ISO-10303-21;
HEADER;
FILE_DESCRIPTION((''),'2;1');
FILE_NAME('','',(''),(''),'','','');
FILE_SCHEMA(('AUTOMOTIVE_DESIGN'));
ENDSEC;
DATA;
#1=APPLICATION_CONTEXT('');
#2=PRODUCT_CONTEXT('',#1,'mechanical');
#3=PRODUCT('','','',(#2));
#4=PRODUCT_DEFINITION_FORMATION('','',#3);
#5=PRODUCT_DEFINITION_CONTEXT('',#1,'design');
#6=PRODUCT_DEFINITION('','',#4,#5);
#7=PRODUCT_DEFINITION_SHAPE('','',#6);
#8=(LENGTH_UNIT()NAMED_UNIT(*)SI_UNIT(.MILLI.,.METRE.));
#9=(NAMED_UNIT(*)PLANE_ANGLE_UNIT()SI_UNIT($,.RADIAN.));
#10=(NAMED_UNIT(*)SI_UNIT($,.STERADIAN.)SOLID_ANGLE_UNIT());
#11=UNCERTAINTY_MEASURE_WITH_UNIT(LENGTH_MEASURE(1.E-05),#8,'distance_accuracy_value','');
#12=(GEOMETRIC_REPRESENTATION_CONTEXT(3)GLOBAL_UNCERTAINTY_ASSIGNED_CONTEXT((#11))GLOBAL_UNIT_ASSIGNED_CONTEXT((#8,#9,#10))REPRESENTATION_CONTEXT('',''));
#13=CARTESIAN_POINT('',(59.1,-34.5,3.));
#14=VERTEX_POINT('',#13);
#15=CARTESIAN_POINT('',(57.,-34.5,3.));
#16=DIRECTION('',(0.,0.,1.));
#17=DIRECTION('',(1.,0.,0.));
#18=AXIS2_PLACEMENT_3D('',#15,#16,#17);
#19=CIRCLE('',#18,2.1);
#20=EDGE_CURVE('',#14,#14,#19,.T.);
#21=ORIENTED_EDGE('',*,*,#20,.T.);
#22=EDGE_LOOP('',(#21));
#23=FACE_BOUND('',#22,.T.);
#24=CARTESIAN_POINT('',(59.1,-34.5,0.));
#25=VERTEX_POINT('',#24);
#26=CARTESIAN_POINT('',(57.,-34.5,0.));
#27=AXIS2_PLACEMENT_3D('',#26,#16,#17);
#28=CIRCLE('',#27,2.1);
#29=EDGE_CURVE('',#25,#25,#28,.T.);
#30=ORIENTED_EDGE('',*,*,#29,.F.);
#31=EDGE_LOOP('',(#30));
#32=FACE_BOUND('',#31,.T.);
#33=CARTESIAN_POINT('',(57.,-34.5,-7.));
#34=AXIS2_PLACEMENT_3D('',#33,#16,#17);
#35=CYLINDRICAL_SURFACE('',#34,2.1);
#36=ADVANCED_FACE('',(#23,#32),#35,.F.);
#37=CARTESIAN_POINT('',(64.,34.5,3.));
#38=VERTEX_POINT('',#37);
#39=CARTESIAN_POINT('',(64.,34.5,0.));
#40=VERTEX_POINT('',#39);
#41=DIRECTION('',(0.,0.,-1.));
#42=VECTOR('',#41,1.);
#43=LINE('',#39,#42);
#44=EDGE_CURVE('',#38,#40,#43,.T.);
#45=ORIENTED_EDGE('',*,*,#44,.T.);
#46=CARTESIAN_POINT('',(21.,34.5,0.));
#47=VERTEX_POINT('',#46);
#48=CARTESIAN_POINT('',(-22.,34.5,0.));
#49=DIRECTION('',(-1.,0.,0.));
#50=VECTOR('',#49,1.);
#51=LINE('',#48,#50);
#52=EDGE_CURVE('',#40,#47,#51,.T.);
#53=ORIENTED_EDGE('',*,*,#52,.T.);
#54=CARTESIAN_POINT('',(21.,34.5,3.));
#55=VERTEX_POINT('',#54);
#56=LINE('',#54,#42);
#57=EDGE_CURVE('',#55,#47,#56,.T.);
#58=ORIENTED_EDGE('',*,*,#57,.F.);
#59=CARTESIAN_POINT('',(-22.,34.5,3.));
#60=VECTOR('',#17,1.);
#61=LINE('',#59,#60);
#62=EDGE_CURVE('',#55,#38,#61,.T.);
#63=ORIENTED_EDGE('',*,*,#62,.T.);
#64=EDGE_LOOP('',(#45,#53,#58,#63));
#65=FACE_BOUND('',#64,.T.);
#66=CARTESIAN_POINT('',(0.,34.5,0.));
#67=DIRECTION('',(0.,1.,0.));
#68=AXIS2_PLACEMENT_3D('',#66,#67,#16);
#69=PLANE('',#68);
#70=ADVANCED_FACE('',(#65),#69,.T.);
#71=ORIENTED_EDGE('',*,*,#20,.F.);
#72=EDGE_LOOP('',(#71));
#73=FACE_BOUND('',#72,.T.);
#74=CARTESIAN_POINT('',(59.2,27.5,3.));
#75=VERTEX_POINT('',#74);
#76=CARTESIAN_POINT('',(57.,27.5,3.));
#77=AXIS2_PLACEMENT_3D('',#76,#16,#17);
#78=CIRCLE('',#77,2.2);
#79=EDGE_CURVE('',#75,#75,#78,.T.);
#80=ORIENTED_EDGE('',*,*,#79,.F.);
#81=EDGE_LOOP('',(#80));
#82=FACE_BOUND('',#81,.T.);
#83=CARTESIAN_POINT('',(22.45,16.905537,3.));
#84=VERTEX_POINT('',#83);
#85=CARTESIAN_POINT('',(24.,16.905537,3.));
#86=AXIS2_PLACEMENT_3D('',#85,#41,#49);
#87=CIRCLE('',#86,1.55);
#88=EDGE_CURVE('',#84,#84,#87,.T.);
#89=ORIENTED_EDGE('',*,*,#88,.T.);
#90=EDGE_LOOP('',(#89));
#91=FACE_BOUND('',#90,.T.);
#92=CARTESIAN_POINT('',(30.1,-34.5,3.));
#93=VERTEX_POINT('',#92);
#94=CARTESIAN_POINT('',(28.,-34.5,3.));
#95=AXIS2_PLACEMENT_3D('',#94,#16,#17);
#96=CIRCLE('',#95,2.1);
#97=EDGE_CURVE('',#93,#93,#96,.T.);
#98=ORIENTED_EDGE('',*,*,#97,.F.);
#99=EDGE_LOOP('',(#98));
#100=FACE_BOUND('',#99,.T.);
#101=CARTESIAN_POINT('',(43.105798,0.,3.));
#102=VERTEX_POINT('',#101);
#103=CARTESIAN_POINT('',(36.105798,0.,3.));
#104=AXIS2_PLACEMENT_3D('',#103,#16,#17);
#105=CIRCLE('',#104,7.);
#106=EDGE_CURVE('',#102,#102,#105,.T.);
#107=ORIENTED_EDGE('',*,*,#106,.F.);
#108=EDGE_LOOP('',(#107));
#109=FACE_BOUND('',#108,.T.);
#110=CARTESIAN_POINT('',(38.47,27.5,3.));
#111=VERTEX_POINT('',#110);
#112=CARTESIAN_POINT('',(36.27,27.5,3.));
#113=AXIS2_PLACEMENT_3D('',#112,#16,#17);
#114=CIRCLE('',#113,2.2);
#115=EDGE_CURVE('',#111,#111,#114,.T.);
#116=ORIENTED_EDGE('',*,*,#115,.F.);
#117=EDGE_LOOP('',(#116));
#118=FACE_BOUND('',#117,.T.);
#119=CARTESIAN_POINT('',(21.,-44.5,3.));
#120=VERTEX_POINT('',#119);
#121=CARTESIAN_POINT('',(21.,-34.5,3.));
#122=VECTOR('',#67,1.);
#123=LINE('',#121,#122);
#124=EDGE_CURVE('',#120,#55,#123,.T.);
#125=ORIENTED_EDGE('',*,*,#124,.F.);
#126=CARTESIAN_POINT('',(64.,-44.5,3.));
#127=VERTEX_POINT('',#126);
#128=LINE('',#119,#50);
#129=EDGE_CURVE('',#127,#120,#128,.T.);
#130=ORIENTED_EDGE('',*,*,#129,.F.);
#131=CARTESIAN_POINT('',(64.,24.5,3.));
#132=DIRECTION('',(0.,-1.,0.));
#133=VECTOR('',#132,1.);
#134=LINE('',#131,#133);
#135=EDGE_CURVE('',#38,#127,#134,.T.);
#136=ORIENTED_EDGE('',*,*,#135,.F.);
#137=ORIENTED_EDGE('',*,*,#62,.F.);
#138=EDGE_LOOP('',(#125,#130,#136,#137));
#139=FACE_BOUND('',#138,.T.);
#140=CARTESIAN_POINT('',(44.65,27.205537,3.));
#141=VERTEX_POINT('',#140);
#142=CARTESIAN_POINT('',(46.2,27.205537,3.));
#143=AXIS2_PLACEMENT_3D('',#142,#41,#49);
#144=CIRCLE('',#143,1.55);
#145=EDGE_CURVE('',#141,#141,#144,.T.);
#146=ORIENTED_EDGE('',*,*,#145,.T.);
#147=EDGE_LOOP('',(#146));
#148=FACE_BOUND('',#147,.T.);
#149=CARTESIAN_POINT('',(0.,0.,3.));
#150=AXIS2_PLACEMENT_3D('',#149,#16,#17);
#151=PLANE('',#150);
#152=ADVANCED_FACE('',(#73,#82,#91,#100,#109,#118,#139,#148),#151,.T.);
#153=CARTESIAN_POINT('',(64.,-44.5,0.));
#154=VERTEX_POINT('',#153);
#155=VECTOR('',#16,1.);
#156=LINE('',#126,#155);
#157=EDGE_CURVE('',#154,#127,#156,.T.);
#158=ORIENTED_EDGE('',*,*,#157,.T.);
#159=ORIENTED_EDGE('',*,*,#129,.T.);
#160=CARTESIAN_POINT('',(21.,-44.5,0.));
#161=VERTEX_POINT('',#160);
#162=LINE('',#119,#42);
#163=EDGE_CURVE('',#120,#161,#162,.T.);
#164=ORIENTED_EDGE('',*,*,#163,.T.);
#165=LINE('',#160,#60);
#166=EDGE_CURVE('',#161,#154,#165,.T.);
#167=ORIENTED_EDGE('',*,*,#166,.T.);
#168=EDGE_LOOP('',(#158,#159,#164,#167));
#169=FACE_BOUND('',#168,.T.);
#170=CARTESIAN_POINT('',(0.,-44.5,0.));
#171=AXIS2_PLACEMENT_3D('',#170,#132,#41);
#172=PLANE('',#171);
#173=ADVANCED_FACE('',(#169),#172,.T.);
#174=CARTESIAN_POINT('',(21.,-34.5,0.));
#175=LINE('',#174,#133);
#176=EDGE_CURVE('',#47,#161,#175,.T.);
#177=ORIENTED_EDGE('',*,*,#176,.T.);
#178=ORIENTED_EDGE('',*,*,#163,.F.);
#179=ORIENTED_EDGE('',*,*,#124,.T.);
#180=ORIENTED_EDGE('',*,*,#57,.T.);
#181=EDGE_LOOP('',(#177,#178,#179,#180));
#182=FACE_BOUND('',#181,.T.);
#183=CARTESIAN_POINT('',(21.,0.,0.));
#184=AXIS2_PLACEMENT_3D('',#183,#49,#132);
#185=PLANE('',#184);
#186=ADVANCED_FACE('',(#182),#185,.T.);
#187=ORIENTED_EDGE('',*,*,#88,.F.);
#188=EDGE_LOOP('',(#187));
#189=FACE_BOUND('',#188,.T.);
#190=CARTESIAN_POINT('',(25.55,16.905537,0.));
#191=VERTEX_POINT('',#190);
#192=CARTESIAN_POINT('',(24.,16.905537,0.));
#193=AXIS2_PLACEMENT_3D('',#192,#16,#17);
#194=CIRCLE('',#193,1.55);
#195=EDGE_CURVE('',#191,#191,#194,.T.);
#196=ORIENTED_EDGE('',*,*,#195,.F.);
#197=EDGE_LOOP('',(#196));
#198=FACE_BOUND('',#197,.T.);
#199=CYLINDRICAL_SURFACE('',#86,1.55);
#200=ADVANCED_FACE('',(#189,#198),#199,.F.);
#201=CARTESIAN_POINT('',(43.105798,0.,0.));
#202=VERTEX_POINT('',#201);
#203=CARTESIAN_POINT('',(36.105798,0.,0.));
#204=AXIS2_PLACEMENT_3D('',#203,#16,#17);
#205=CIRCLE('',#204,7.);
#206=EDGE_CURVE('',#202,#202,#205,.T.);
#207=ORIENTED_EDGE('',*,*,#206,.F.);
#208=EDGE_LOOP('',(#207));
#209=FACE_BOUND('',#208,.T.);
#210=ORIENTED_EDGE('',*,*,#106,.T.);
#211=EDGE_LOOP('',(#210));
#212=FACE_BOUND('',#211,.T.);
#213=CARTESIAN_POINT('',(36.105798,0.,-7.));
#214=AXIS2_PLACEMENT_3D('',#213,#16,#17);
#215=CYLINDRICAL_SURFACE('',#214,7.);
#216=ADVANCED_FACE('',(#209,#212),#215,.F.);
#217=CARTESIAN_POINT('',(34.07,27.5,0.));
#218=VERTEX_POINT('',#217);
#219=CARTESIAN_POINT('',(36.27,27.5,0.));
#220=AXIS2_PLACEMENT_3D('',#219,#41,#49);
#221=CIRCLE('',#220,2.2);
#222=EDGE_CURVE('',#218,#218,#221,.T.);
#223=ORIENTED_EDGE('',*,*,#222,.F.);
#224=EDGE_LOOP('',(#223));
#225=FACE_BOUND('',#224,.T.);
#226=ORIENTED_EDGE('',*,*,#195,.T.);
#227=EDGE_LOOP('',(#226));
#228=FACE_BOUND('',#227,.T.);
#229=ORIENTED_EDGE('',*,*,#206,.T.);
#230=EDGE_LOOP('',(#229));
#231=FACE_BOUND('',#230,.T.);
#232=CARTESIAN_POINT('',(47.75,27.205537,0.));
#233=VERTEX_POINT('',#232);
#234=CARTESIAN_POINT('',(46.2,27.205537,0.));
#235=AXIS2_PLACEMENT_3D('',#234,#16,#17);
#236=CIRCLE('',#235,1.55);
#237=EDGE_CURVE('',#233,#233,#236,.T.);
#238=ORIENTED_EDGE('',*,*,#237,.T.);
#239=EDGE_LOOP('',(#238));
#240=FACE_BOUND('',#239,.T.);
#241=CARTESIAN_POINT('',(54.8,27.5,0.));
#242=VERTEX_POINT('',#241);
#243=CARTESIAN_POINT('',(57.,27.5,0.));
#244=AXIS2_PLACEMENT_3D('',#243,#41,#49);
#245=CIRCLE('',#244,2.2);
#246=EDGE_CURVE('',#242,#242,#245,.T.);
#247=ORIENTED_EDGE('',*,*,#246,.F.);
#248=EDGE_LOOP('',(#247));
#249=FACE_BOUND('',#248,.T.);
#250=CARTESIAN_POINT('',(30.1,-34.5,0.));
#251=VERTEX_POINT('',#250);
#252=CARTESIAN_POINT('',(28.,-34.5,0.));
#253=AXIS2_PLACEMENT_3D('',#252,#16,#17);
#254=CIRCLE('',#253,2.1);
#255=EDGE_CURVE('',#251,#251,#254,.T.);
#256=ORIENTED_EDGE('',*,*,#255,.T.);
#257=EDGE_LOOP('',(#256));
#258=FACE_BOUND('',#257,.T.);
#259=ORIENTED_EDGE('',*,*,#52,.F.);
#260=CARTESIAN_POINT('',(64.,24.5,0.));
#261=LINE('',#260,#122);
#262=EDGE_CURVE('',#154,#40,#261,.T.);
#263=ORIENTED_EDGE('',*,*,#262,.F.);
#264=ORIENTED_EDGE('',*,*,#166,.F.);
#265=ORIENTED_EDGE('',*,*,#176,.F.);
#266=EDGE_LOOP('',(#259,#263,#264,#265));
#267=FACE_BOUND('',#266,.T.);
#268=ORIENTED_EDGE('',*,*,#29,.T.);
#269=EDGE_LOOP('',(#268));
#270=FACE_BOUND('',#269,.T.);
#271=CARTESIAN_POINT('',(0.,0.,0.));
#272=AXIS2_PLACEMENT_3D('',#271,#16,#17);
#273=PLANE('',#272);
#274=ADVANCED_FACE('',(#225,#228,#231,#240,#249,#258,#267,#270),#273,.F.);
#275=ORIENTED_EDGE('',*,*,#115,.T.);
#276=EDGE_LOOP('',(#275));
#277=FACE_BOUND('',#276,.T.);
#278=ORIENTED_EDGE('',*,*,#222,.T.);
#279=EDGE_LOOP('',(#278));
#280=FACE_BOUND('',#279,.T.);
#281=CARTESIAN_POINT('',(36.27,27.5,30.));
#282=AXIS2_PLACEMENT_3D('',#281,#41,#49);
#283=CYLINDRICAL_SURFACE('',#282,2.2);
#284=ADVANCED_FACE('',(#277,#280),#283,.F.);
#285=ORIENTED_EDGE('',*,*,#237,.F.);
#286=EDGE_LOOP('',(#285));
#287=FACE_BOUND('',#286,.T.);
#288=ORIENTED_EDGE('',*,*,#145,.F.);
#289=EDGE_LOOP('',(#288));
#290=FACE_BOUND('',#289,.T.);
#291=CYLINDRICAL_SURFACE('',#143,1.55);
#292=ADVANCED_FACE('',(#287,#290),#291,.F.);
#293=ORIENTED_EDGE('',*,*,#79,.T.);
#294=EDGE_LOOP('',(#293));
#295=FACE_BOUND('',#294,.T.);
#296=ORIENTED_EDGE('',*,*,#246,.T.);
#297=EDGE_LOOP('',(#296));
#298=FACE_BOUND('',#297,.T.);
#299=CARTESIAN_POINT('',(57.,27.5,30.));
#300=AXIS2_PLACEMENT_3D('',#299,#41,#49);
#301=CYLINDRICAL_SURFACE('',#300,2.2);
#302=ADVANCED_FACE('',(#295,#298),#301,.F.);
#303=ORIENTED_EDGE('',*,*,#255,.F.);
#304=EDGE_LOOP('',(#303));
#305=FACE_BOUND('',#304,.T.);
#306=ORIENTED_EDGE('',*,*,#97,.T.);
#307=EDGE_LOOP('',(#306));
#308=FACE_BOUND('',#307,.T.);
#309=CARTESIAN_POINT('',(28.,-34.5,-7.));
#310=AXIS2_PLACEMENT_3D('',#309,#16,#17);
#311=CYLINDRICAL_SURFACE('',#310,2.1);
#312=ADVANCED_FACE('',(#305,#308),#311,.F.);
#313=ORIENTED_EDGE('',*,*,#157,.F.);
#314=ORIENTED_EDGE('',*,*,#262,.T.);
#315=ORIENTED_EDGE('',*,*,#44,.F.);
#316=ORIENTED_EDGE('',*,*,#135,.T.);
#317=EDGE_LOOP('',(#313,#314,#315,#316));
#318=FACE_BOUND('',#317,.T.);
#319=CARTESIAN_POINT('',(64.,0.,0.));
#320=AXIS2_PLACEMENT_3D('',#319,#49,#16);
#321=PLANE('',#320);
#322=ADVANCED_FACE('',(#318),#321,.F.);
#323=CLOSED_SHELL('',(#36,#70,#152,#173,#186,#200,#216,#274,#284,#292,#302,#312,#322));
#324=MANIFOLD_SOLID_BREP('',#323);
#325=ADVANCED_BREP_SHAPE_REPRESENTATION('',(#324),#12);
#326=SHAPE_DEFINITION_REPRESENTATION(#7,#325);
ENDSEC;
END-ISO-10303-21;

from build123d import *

# Parameters (mm, degrees)
SKETCH_1_W                = 40
SKETCH_1_H                = 29
EXTRUDE_1_DEPTH           = 3
CUT_EXTRUDE_1_DEPTH       = 3
SKETCH_3_W                = 40
SKETCH_3_H                = 3
EXTRUDE_2_DEPTH           = 10
SKETCH_4_W                = 40
SKETCH_4_H                = 3
EXTRUDE_3_DEPTH           = 10
SKETCH_6_W                = 3
SKETCH_6_H                = 49
EXTRUDE_5_DEPTH           = 42
SKETCH_8_W                = 3
SKETCH_8_H                = 49
EXTRUDE_6_DEPTH           = 2
SKETCH_9_W                = 3
SKETCH_9_H                = 49
EXTRUDE_7_DEPTH           = 2
SKETCH_10_W               = 86
SKETCH_10_H               = 3
EXTRUDE_8_DEPTH           = 10
SKETCH_11_W               = 86
SKETCH_11_H               = 3
EXTRUDE_9_DEPTH           = 10
SKETCH_7_R                = 7
CUT_EXTRUDE_4_DEPTH       = 10
SKETCH_14_W               = 3
SKETCH_14_H               = 69
CUT_EXTRUDE_5_DEPTH       = 43
SKETCH_17_W               = 43
SKETCH_17_H               = 3
EXTRUDE_10_DEPTH          = 20
SKETCH_18_R               = 2.1
CUT_EXTRUDE_6_DEPTH       = 10
SKETCH_20_W               = 43
SKETCH_20_H               = 3
EXTRUDE_11_DEPTH          = 10
SKETCH_21_W               = 43
SKETCH_21_H               = 3
CUT_EXTRUDE_7_DEPTH       = 20
SKETCH_24_R               = 2.2
CUT_EXTRUDE_8_DEPTH       = 30
SKETCH_25_R               = 1.55
CUT_EXTRUDE_11_DEPTH      = 1
CUT_EXTRUDE_11_DEPTH_BACK = 4


with BuildPart() as part:
    # ｽｹｯﾁ1 → ﾎﾞｽ - 押し出し1 (new body)
    with BuildSketch(Plane.XY):
        Rectangle(SKETCH_1_W, SKETCH_1_H)
    extrude(amount=EXTRUDE_1_DEPTH)

    # ｽｹｯﾁ2 → ｶｯﾄ - 押し出し1 (cut)
    with BuildSketch(Plane.XY.offset(3)):
        with BuildLine():
            ThreePointArc((-14.4, 10.5), (-15.01507576, 11.98492424), (-16.5, 12.6))
            Line((-16.5, 12.6), (-16.5, 10.5))
            Line((-16.5, 10.5), (-18.6, 10.5))
            ThreePointArc((-18.6, 10.5), (-16.5, 8.4), (-14.4, 10.5))
        make_face()
        with BuildLine():
            Line((-16.5, 10.5), (-16.5, 12.6))
            ThreePointArc((-16.5, 12.6), (-17.98492424, 11.98492424), (-18.6, 10.5))
            Line((-18.6, 10.5), (-16.5, 10.5))
        make_face()
        with BuildLine():
            ThreePointArc((-18.6, -10.5), (-17.98492424, -11.98492424), (-16.5, -12.6))
            Line((-16.5, -12.6), (-16.5, -10.5))
            Line((-16.5, -10.5), (-18.6, -10.5))
        make_face()
        with BuildLine():
            Line((-16.5, -10.5), (-16.5, -12.6))
            ThreePointArc((-16.5, -12.6), (-15.01507576, -11.98492424), (-14.4, -10.5))
            ThreePointArc((-14.4, -10.5), (-16.5, -8.4), (-18.6, -10.5))
            Line((-18.6, -10.5), (-16.5, -10.5))
        make_face()
        with BuildLine():
            ThreePointArc((18.6, -10.5), (15.01507576, -9.01507576), (16.5, -12.6))
            Line((16.5, -12.6), (16.5, -10.5))
            Line((16.5, -10.5), (18.6, -10.5))
        make_face()
        with BuildLine():
            Line((16.5, -10.5), (16.5, -12.6))
            ThreePointArc((16.5, -12.6), (17.98492424, -11.98492424), (18.6, -10.5))
            Line((18.6, -10.5), (16.5, -10.5))
        make_face()
        with BuildLine():
            ThreePointArc((18.6, 10.5), (17.98492424, 11.98492424), (16.5, 12.6))
            Line((16.5, 12.6), (16.5, 10.5))
            Line((16.5, 10.5), (18.6, 10.5))
        make_face()
        with BuildLine():
            Line((16.5, 10.5), (16.5, 12.6))
            ThreePointArc((16.5, 12.6), (15.01507576, 9.01507576), (18.6, 10.5))
            Line((18.6, 10.5), (16.5, 10.5))
        make_face()
    extrude(amount=-CUT_EXTRUDE_1_DEPTH, mode=Mode.SUBTRACT)

    # ｽｹｯﾁ3 → ﾎﾞｽ - 押し出し2 (add)
    with BuildSketch(Plane.XZ.offset(14.5)):
        with Locations((0, 1.5)):
            Rectangle(SKETCH_3_W, SKETCH_3_H)
    extrude(amount=EXTRUDE_2_DEPTH)

    # ｽｹｯﾁ4 → ﾎﾞｽ - 押し出し3 (add)
    with BuildSketch(Plane(origin=(0, 14.5, 0), x_dir=(1, 0, 0), z_dir=(0, 1, 0))):
        with Locations((0, -1.5)):
            Rectangle(SKETCH_4_W, SKETCH_4_H)
    extrude(amount=EXTRUDE_3_DEPTH)

    # ｽｹｯﾁ6 → ﾎﾞｽ - 押し出し5 (add)
    with BuildSketch(Plane(origin=(20, 0, 0), x_dir=(0, 0, -1), z_dir=(1, 0, 0))):
        with Locations((-1.5, 0)):
            Rectangle(SKETCH_6_W, SKETCH_6_H)
    extrude(amount=EXTRUDE_5_DEPTH)

    # ｽｹｯﾁ8 → ﾎﾞｽ - 押し出し6 (add)
    with BuildSketch(Plane.ZY.offset(20)):
        with Locations((1.5, 0)):
            Rectangle(SKETCH_8_W, SKETCH_8_H)
    extrude(amount=EXTRUDE_6_DEPTH)

    # ｽｹｯﾁ9 → ﾎﾞｽ - 押し出し7 (add)
    with BuildSketch(Plane(origin=(62, 0, 0), x_dir=(0, 0, -1), z_dir=(1, 0, 0))):
        with Locations((-1.5, 0)):
            Rectangle(SKETCH_9_W, SKETCH_9_H)
    extrude(amount=EXTRUDE_7_DEPTH)

    # ｽｹｯﾁ10 → ﾎﾞｽ - 押し出し8 (add)
    with BuildSketch(Plane.XZ.offset(24.5)):
        with Locations((21, 1.5)):
            Rectangle(SKETCH_10_W, SKETCH_10_H)
    extrude(amount=EXTRUDE_8_DEPTH)

    # ｽｹｯﾁ11 → ﾎﾞｽ - 押し出し9 (add)
    with BuildSketch(Plane(origin=(0, 24.5, 0), x_dir=(1, 0, 0), z_dir=(0, 1, 0))):
        with Locations((21, -1.5)):
            Rectangle(SKETCH_11_W, SKETCH_11_H)
    extrude(amount=EXTRUDE_9_DEPTH)

    # ｽｹｯﾁ7 → ｶｯﾄ - 押し出し4 (cut)
    with BuildSketch(Plane.XY.offset(3)):
        with Locations((36.10579786, 0)):
            Circle(SKETCH_7_R)
    extrude(amount=-CUT_EXTRUDE_4_DEPTH, mode=Mode.SUBTRACT)

    # ｽｹｯﾁ14 → ｶｯﾄ - 押し出し5 (cut)
    with BuildSketch(Plane.ZY.offset(22)):
        with Locations((1.5, 0)):
            Rectangle(SKETCH_14_W, SKETCH_14_H)
    extrude(amount=-CUT_EXTRUDE_5_DEPTH, mode=Mode.SUBTRACT)

    # ｽｹｯﾁ17 → ﾎﾞｽ - 押し出し10 (add)
    with BuildSketch(Plane.XZ.offset(34.5)):
        with Locations((42.5, 1.5)):
            Rectangle(SKETCH_17_W, SKETCH_17_H)
    extrude(amount=EXTRUDE_10_DEPTH)

    # ｽｹｯﾁ18 → ｶｯﾄ - 押し出し6 (cut)
    with BuildSketch(Plane.XY.offset(3)):
        with Locations((28, -34.5)):
            Circle(SKETCH_18_R)
        with Locations((57, -34.5)):
            Circle(SKETCH_18_R)
    extrude(amount=-CUT_EXTRUDE_6_DEPTH, mode=Mode.SUBTRACT)

    # ｽｹｯﾁ20 → ﾎﾞｽ - 押し出し11 (add)
    with BuildSketch(Plane.XZ.offset(54.5)):
        with Locations((42.5, 1.5)):
            Rectangle(SKETCH_20_W, SKETCH_20_H)
    extrude(amount=EXTRUDE_11_DEPTH)

    # ｽｹｯﾁ21 → ｶｯﾄ - 押し出し7 (cut)
    with BuildSketch(Plane.XZ.offset(64.5)):
        with Locations((42.5, 1.5)):
            Rectangle(SKETCH_21_W, SKETCH_21_H)
    extrude(amount=-CUT_EXTRUDE_7_DEPTH, mode=Mode.SUBTRACT)

    # ｽｹｯﾁ24 → ｶｯﾄ - 押し出し8 (cut)
    with BuildSketch(Plane(origin=(0, 0, 0), x_dir=(-1, 0, 0), z_dir=(0, 0, -1))):
        with Locations((-36.27, 27.5)):
            Circle(SKETCH_24_R)
        with Locations((-57, 27.5)):
            Circle(SKETCH_24_R)
    extrude(amount=-CUT_EXTRUDE_8_DEPTH, mode=Mode.SUBTRACT)

    # ｽｹｯﾁ25 → ｶｯﾄ - 押し出し11 (cut, two sides)
    with BuildSketch(Plane(origin=(0, 0, 0), x_dir=(-1, 0, 0), z_dir=(0, 0, -1))) as cut_extrude_11_sk:
        with Locations((-24, 16.905537109)):
            Circle(SKETCH_25_R)
        with Locations((-46.2, 27.205537109)):
            Circle(SKETCH_25_R)
    extrude(amount=CUT_EXTRUDE_11_DEPTH, mode=Mode.SUBTRACT)
    extrude(cut_extrude_11_sk.sketch, amount=-CUT_EXTRUDE_11_DEPTH_BACK, mode=Mode.SUBTRACT)


solid = part.part
